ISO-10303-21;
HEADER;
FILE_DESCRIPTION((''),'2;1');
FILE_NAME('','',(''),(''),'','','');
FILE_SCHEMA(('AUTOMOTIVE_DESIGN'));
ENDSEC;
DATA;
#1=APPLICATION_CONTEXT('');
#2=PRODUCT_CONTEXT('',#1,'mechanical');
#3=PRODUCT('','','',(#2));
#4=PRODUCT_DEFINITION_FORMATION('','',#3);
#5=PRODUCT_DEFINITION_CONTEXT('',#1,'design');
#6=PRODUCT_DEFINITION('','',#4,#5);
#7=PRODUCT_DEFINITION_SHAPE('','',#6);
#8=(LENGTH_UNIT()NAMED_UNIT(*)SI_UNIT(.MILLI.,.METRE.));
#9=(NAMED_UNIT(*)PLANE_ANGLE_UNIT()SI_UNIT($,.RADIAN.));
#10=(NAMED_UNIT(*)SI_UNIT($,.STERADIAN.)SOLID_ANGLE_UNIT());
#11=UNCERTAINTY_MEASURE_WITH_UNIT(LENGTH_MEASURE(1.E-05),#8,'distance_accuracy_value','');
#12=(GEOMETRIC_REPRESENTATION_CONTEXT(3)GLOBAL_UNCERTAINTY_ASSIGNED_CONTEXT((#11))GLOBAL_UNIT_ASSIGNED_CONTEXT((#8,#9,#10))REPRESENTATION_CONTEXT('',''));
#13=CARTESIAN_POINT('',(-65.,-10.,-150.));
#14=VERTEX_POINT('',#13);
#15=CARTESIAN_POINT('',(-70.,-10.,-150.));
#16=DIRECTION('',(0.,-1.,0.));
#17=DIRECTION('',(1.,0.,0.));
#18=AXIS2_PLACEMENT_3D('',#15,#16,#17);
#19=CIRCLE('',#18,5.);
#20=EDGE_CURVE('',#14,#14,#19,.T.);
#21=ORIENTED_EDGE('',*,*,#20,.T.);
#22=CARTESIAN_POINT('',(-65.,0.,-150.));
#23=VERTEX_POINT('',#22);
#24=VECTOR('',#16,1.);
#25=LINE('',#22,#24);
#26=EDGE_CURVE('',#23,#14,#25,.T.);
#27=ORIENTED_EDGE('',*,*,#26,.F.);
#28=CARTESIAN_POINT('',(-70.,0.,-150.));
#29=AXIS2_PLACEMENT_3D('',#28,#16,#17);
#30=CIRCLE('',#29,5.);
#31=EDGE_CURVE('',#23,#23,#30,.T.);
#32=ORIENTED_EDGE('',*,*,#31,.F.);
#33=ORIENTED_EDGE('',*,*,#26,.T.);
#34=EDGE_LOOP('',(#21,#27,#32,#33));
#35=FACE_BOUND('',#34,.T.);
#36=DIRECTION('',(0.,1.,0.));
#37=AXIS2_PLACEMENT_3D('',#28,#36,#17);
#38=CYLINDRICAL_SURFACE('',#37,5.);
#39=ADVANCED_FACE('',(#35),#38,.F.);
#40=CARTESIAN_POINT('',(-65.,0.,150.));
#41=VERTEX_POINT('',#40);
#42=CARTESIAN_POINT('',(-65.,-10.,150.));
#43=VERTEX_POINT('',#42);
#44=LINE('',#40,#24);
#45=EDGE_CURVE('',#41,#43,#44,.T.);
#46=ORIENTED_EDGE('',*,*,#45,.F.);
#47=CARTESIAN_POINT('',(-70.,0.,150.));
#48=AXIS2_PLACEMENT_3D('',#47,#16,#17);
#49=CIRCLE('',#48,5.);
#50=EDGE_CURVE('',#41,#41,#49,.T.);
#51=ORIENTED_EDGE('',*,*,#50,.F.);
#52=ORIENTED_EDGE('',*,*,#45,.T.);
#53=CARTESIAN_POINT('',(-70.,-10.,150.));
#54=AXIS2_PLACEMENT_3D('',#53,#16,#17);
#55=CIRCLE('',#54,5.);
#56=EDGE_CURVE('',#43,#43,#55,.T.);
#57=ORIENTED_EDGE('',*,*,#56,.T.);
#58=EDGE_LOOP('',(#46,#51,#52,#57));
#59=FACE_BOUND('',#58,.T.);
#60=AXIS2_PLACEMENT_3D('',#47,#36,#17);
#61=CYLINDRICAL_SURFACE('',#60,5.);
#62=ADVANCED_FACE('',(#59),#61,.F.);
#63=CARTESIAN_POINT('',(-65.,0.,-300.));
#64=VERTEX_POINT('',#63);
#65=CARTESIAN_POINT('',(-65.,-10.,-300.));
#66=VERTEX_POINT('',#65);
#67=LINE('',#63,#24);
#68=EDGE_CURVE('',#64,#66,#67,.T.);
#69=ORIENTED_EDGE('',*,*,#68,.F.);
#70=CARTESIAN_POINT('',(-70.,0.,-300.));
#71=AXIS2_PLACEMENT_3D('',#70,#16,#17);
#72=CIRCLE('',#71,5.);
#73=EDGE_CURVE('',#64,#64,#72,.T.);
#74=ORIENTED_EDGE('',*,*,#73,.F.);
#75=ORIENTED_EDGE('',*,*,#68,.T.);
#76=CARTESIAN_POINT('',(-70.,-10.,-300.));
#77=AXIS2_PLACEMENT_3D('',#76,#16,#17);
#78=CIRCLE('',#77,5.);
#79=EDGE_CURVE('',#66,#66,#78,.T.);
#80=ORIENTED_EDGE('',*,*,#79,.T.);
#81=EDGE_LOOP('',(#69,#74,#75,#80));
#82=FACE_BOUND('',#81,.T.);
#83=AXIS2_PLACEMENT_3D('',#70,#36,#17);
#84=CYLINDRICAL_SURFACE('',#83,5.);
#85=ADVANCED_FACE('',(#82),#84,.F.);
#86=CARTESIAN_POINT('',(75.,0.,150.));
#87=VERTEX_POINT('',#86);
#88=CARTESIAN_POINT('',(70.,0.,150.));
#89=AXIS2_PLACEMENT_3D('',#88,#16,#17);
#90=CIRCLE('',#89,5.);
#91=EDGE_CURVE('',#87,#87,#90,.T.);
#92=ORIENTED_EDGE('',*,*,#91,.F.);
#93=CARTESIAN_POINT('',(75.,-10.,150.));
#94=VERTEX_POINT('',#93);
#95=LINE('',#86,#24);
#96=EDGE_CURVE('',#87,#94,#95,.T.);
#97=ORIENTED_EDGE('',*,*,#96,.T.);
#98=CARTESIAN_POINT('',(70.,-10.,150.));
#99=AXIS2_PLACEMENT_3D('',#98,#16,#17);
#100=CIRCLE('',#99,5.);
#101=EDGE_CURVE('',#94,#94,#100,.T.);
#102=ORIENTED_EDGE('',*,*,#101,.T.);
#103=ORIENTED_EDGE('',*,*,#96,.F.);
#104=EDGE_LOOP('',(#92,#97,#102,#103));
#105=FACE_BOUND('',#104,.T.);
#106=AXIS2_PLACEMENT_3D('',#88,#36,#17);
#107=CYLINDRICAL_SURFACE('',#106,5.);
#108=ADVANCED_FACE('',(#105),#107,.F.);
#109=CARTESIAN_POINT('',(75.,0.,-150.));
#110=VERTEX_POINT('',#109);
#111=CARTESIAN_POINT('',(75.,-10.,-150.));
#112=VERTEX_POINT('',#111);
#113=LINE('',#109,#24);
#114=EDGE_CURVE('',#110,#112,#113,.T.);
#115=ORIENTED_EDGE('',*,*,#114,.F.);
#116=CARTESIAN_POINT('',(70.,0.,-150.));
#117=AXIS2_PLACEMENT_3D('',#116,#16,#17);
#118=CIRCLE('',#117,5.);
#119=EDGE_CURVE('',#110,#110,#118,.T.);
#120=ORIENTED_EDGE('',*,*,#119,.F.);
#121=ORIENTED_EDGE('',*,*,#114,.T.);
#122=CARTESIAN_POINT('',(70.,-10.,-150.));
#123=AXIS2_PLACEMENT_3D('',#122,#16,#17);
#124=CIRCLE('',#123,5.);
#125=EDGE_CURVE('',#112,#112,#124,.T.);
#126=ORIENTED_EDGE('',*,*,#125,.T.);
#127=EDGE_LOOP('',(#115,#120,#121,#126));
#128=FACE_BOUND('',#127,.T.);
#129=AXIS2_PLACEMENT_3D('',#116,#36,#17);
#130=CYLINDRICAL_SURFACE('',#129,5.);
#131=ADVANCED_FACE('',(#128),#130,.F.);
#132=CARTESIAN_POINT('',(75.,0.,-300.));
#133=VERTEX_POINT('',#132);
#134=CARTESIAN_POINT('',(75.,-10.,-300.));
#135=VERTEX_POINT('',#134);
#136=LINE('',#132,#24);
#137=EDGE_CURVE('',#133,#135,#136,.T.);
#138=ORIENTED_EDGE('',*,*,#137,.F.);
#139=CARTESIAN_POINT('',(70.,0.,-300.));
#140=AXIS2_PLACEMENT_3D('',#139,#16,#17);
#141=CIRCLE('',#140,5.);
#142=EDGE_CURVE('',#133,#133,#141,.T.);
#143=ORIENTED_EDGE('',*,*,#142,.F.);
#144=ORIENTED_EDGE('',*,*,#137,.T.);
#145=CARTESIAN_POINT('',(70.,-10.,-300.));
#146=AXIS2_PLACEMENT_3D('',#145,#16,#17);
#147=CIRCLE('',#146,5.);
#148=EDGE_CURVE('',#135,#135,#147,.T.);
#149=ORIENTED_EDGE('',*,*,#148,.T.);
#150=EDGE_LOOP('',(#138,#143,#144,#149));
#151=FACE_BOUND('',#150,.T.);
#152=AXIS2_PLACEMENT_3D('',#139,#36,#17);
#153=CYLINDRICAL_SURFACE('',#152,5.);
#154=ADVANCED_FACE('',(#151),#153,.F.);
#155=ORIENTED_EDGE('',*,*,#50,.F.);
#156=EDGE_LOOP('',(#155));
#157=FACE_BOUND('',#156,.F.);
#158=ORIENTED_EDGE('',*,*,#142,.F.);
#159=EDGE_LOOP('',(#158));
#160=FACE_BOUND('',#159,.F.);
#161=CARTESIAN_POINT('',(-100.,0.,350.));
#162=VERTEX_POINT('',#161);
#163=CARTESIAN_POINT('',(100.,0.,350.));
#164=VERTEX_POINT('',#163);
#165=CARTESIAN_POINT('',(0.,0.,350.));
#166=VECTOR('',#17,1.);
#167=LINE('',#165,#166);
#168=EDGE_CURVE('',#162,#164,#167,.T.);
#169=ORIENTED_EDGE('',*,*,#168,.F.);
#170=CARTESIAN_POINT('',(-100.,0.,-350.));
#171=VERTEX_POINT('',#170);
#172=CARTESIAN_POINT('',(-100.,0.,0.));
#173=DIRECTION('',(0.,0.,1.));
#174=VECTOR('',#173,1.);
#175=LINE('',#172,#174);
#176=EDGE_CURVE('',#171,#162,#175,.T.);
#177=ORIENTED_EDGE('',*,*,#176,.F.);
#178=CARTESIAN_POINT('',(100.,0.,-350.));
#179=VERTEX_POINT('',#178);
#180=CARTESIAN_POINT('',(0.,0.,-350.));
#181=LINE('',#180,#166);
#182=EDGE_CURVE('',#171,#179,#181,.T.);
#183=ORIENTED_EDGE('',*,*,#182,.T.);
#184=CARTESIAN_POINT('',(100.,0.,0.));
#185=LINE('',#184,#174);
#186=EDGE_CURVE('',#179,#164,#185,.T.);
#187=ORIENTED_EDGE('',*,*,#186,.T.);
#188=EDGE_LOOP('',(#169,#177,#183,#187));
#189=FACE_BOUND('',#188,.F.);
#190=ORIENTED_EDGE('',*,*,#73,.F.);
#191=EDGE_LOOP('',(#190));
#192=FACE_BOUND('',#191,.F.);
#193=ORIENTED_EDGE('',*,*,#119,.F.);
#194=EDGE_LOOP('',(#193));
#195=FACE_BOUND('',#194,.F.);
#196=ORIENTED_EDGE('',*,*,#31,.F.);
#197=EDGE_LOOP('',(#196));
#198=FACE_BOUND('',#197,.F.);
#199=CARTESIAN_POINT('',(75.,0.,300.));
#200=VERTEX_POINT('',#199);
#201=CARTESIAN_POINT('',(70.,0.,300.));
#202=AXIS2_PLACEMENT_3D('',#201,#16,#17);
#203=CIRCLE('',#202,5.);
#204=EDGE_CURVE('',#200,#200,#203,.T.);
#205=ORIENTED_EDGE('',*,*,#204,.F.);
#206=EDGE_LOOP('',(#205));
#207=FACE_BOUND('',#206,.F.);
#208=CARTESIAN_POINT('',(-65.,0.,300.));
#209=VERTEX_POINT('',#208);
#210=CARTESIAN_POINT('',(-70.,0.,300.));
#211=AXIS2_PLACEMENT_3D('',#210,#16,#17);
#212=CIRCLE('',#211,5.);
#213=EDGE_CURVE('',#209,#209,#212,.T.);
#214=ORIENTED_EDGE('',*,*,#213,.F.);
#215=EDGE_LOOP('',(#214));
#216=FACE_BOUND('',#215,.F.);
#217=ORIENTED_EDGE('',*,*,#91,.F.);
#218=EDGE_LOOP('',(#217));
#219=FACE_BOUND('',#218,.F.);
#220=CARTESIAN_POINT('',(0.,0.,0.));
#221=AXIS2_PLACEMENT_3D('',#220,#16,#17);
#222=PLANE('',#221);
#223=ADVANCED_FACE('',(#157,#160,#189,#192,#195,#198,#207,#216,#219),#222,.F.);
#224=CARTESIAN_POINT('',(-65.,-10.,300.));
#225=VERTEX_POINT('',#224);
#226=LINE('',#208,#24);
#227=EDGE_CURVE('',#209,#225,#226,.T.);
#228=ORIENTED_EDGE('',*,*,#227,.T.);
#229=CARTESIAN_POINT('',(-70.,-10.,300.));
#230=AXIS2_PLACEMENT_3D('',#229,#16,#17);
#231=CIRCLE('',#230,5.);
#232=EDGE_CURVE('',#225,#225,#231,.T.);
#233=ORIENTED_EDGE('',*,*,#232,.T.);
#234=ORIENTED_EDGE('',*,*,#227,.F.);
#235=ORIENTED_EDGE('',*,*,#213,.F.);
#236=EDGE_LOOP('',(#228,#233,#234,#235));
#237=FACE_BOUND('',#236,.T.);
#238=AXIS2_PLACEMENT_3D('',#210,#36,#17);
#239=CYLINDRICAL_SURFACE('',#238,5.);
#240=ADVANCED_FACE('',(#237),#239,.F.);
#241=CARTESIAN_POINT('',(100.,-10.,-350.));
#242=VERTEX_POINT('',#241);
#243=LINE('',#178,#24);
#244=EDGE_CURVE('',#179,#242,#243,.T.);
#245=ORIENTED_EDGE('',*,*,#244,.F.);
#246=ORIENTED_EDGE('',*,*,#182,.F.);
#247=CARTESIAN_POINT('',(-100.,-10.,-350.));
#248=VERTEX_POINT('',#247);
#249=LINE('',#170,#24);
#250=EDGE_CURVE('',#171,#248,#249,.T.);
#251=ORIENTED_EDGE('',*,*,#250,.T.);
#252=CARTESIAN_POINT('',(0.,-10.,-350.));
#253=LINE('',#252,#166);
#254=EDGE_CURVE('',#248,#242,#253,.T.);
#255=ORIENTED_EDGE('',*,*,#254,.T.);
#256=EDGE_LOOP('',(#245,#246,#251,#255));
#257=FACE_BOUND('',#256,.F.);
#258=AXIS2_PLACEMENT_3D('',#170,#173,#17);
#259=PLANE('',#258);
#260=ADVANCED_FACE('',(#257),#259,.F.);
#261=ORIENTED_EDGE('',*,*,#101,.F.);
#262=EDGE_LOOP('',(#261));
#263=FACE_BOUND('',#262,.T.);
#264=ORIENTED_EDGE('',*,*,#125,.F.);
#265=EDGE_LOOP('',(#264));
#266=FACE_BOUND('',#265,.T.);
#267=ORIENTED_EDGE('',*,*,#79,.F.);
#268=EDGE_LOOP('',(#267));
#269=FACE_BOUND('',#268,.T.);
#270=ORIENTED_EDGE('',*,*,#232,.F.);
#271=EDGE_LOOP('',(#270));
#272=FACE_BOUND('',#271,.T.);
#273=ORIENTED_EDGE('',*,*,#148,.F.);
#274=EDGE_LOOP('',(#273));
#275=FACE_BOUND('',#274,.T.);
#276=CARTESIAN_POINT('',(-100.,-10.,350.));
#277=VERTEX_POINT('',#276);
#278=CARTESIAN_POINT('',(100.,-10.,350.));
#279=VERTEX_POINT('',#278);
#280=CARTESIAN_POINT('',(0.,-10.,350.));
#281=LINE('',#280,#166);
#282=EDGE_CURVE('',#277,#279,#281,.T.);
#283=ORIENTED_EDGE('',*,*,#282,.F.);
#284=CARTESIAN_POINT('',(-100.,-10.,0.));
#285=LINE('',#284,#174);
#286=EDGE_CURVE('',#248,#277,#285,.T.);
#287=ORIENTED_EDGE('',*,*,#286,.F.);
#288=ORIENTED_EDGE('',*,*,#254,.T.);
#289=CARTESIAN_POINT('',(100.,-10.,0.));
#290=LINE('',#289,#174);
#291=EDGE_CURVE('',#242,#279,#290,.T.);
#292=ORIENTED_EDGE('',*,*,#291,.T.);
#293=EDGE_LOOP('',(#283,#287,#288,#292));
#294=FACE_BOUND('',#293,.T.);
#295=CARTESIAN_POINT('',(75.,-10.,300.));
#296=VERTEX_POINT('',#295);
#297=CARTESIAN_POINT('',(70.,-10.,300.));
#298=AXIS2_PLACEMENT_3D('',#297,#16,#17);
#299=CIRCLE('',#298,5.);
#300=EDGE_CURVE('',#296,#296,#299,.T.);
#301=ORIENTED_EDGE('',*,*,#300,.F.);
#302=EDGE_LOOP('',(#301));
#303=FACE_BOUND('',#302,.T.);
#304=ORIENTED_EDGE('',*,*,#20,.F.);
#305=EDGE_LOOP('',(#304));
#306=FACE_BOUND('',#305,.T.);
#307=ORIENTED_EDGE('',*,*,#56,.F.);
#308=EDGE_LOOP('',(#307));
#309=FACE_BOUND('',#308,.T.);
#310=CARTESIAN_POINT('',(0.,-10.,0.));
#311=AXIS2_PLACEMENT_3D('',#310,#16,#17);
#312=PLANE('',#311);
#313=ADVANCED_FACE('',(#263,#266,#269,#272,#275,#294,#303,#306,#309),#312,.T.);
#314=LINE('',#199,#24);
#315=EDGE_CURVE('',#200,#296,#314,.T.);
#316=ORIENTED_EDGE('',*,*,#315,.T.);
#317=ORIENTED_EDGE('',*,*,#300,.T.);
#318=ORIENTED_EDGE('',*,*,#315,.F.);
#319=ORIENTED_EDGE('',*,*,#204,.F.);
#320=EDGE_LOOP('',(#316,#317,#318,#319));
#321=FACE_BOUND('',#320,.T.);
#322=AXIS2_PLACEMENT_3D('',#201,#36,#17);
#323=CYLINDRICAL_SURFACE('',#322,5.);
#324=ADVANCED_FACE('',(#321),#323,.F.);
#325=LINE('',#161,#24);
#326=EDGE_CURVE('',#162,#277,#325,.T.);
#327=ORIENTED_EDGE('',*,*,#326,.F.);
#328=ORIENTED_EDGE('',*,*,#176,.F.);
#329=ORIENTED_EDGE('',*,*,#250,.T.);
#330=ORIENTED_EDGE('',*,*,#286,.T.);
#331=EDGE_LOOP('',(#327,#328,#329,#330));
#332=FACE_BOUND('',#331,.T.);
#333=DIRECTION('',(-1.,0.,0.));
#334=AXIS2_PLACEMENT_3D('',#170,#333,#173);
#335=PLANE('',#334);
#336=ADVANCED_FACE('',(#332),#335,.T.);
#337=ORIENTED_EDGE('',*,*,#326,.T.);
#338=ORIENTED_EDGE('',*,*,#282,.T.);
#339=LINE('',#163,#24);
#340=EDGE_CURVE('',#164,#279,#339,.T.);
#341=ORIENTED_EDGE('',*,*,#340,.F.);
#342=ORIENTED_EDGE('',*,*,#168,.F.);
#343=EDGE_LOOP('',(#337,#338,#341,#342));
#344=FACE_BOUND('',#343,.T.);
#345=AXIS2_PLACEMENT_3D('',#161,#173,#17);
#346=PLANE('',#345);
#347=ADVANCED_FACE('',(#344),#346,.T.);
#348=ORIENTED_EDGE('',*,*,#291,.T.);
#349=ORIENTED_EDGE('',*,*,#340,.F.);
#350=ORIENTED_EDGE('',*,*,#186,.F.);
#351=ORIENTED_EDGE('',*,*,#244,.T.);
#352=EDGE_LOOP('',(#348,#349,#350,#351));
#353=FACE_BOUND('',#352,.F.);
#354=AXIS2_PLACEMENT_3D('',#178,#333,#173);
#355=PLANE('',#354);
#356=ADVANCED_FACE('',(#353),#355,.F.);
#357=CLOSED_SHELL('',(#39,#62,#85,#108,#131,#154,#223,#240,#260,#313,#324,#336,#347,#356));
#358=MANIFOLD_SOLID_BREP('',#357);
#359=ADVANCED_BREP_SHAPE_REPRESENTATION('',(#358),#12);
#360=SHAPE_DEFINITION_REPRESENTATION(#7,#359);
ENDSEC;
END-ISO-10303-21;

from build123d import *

# Parameters (mm, degrees)
F0_W     = 200
F0_H     = 700
F0_R     = 5
F1_DEPTH = 10


with BuildPart() as f1:
    # F0 (on Front) → F1 (new body)
    with BuildSketch(Plane.XZ):
        Rectangle(F0_W, F0_H)
        with Locations((-70, -300)):
            Circle(F0_R, mode=Mode.SUBTRACT)
        with Locations((-70, -150)):
            Circle(F0_R, mode=Mode.SUBTRACT)
        with Locations((70, -300)):
            Circle(F0_R, mode=Mode.SUBTRACT)
        with Locations((70, -150)):
            Circle(F0_R, mode=Mode.SUBTRACT)
        with Locations((-70, 150)):
            Circle(F0_R, mode=Mode.SUBTRACT)
        with Locations((-70, 300)):
            Circle(F0_R, mode=Mode.SUBTRACT)
        with Locations((70, 150)):
            Circle(F0_R, mode=Mode.SUBTRACT)
        with Locations((70, 300)):
            Circle(F0_R, mode=Mode.SUBTRACT)
    extrude(amount=F1_DEPTH)


solid = f1.part
